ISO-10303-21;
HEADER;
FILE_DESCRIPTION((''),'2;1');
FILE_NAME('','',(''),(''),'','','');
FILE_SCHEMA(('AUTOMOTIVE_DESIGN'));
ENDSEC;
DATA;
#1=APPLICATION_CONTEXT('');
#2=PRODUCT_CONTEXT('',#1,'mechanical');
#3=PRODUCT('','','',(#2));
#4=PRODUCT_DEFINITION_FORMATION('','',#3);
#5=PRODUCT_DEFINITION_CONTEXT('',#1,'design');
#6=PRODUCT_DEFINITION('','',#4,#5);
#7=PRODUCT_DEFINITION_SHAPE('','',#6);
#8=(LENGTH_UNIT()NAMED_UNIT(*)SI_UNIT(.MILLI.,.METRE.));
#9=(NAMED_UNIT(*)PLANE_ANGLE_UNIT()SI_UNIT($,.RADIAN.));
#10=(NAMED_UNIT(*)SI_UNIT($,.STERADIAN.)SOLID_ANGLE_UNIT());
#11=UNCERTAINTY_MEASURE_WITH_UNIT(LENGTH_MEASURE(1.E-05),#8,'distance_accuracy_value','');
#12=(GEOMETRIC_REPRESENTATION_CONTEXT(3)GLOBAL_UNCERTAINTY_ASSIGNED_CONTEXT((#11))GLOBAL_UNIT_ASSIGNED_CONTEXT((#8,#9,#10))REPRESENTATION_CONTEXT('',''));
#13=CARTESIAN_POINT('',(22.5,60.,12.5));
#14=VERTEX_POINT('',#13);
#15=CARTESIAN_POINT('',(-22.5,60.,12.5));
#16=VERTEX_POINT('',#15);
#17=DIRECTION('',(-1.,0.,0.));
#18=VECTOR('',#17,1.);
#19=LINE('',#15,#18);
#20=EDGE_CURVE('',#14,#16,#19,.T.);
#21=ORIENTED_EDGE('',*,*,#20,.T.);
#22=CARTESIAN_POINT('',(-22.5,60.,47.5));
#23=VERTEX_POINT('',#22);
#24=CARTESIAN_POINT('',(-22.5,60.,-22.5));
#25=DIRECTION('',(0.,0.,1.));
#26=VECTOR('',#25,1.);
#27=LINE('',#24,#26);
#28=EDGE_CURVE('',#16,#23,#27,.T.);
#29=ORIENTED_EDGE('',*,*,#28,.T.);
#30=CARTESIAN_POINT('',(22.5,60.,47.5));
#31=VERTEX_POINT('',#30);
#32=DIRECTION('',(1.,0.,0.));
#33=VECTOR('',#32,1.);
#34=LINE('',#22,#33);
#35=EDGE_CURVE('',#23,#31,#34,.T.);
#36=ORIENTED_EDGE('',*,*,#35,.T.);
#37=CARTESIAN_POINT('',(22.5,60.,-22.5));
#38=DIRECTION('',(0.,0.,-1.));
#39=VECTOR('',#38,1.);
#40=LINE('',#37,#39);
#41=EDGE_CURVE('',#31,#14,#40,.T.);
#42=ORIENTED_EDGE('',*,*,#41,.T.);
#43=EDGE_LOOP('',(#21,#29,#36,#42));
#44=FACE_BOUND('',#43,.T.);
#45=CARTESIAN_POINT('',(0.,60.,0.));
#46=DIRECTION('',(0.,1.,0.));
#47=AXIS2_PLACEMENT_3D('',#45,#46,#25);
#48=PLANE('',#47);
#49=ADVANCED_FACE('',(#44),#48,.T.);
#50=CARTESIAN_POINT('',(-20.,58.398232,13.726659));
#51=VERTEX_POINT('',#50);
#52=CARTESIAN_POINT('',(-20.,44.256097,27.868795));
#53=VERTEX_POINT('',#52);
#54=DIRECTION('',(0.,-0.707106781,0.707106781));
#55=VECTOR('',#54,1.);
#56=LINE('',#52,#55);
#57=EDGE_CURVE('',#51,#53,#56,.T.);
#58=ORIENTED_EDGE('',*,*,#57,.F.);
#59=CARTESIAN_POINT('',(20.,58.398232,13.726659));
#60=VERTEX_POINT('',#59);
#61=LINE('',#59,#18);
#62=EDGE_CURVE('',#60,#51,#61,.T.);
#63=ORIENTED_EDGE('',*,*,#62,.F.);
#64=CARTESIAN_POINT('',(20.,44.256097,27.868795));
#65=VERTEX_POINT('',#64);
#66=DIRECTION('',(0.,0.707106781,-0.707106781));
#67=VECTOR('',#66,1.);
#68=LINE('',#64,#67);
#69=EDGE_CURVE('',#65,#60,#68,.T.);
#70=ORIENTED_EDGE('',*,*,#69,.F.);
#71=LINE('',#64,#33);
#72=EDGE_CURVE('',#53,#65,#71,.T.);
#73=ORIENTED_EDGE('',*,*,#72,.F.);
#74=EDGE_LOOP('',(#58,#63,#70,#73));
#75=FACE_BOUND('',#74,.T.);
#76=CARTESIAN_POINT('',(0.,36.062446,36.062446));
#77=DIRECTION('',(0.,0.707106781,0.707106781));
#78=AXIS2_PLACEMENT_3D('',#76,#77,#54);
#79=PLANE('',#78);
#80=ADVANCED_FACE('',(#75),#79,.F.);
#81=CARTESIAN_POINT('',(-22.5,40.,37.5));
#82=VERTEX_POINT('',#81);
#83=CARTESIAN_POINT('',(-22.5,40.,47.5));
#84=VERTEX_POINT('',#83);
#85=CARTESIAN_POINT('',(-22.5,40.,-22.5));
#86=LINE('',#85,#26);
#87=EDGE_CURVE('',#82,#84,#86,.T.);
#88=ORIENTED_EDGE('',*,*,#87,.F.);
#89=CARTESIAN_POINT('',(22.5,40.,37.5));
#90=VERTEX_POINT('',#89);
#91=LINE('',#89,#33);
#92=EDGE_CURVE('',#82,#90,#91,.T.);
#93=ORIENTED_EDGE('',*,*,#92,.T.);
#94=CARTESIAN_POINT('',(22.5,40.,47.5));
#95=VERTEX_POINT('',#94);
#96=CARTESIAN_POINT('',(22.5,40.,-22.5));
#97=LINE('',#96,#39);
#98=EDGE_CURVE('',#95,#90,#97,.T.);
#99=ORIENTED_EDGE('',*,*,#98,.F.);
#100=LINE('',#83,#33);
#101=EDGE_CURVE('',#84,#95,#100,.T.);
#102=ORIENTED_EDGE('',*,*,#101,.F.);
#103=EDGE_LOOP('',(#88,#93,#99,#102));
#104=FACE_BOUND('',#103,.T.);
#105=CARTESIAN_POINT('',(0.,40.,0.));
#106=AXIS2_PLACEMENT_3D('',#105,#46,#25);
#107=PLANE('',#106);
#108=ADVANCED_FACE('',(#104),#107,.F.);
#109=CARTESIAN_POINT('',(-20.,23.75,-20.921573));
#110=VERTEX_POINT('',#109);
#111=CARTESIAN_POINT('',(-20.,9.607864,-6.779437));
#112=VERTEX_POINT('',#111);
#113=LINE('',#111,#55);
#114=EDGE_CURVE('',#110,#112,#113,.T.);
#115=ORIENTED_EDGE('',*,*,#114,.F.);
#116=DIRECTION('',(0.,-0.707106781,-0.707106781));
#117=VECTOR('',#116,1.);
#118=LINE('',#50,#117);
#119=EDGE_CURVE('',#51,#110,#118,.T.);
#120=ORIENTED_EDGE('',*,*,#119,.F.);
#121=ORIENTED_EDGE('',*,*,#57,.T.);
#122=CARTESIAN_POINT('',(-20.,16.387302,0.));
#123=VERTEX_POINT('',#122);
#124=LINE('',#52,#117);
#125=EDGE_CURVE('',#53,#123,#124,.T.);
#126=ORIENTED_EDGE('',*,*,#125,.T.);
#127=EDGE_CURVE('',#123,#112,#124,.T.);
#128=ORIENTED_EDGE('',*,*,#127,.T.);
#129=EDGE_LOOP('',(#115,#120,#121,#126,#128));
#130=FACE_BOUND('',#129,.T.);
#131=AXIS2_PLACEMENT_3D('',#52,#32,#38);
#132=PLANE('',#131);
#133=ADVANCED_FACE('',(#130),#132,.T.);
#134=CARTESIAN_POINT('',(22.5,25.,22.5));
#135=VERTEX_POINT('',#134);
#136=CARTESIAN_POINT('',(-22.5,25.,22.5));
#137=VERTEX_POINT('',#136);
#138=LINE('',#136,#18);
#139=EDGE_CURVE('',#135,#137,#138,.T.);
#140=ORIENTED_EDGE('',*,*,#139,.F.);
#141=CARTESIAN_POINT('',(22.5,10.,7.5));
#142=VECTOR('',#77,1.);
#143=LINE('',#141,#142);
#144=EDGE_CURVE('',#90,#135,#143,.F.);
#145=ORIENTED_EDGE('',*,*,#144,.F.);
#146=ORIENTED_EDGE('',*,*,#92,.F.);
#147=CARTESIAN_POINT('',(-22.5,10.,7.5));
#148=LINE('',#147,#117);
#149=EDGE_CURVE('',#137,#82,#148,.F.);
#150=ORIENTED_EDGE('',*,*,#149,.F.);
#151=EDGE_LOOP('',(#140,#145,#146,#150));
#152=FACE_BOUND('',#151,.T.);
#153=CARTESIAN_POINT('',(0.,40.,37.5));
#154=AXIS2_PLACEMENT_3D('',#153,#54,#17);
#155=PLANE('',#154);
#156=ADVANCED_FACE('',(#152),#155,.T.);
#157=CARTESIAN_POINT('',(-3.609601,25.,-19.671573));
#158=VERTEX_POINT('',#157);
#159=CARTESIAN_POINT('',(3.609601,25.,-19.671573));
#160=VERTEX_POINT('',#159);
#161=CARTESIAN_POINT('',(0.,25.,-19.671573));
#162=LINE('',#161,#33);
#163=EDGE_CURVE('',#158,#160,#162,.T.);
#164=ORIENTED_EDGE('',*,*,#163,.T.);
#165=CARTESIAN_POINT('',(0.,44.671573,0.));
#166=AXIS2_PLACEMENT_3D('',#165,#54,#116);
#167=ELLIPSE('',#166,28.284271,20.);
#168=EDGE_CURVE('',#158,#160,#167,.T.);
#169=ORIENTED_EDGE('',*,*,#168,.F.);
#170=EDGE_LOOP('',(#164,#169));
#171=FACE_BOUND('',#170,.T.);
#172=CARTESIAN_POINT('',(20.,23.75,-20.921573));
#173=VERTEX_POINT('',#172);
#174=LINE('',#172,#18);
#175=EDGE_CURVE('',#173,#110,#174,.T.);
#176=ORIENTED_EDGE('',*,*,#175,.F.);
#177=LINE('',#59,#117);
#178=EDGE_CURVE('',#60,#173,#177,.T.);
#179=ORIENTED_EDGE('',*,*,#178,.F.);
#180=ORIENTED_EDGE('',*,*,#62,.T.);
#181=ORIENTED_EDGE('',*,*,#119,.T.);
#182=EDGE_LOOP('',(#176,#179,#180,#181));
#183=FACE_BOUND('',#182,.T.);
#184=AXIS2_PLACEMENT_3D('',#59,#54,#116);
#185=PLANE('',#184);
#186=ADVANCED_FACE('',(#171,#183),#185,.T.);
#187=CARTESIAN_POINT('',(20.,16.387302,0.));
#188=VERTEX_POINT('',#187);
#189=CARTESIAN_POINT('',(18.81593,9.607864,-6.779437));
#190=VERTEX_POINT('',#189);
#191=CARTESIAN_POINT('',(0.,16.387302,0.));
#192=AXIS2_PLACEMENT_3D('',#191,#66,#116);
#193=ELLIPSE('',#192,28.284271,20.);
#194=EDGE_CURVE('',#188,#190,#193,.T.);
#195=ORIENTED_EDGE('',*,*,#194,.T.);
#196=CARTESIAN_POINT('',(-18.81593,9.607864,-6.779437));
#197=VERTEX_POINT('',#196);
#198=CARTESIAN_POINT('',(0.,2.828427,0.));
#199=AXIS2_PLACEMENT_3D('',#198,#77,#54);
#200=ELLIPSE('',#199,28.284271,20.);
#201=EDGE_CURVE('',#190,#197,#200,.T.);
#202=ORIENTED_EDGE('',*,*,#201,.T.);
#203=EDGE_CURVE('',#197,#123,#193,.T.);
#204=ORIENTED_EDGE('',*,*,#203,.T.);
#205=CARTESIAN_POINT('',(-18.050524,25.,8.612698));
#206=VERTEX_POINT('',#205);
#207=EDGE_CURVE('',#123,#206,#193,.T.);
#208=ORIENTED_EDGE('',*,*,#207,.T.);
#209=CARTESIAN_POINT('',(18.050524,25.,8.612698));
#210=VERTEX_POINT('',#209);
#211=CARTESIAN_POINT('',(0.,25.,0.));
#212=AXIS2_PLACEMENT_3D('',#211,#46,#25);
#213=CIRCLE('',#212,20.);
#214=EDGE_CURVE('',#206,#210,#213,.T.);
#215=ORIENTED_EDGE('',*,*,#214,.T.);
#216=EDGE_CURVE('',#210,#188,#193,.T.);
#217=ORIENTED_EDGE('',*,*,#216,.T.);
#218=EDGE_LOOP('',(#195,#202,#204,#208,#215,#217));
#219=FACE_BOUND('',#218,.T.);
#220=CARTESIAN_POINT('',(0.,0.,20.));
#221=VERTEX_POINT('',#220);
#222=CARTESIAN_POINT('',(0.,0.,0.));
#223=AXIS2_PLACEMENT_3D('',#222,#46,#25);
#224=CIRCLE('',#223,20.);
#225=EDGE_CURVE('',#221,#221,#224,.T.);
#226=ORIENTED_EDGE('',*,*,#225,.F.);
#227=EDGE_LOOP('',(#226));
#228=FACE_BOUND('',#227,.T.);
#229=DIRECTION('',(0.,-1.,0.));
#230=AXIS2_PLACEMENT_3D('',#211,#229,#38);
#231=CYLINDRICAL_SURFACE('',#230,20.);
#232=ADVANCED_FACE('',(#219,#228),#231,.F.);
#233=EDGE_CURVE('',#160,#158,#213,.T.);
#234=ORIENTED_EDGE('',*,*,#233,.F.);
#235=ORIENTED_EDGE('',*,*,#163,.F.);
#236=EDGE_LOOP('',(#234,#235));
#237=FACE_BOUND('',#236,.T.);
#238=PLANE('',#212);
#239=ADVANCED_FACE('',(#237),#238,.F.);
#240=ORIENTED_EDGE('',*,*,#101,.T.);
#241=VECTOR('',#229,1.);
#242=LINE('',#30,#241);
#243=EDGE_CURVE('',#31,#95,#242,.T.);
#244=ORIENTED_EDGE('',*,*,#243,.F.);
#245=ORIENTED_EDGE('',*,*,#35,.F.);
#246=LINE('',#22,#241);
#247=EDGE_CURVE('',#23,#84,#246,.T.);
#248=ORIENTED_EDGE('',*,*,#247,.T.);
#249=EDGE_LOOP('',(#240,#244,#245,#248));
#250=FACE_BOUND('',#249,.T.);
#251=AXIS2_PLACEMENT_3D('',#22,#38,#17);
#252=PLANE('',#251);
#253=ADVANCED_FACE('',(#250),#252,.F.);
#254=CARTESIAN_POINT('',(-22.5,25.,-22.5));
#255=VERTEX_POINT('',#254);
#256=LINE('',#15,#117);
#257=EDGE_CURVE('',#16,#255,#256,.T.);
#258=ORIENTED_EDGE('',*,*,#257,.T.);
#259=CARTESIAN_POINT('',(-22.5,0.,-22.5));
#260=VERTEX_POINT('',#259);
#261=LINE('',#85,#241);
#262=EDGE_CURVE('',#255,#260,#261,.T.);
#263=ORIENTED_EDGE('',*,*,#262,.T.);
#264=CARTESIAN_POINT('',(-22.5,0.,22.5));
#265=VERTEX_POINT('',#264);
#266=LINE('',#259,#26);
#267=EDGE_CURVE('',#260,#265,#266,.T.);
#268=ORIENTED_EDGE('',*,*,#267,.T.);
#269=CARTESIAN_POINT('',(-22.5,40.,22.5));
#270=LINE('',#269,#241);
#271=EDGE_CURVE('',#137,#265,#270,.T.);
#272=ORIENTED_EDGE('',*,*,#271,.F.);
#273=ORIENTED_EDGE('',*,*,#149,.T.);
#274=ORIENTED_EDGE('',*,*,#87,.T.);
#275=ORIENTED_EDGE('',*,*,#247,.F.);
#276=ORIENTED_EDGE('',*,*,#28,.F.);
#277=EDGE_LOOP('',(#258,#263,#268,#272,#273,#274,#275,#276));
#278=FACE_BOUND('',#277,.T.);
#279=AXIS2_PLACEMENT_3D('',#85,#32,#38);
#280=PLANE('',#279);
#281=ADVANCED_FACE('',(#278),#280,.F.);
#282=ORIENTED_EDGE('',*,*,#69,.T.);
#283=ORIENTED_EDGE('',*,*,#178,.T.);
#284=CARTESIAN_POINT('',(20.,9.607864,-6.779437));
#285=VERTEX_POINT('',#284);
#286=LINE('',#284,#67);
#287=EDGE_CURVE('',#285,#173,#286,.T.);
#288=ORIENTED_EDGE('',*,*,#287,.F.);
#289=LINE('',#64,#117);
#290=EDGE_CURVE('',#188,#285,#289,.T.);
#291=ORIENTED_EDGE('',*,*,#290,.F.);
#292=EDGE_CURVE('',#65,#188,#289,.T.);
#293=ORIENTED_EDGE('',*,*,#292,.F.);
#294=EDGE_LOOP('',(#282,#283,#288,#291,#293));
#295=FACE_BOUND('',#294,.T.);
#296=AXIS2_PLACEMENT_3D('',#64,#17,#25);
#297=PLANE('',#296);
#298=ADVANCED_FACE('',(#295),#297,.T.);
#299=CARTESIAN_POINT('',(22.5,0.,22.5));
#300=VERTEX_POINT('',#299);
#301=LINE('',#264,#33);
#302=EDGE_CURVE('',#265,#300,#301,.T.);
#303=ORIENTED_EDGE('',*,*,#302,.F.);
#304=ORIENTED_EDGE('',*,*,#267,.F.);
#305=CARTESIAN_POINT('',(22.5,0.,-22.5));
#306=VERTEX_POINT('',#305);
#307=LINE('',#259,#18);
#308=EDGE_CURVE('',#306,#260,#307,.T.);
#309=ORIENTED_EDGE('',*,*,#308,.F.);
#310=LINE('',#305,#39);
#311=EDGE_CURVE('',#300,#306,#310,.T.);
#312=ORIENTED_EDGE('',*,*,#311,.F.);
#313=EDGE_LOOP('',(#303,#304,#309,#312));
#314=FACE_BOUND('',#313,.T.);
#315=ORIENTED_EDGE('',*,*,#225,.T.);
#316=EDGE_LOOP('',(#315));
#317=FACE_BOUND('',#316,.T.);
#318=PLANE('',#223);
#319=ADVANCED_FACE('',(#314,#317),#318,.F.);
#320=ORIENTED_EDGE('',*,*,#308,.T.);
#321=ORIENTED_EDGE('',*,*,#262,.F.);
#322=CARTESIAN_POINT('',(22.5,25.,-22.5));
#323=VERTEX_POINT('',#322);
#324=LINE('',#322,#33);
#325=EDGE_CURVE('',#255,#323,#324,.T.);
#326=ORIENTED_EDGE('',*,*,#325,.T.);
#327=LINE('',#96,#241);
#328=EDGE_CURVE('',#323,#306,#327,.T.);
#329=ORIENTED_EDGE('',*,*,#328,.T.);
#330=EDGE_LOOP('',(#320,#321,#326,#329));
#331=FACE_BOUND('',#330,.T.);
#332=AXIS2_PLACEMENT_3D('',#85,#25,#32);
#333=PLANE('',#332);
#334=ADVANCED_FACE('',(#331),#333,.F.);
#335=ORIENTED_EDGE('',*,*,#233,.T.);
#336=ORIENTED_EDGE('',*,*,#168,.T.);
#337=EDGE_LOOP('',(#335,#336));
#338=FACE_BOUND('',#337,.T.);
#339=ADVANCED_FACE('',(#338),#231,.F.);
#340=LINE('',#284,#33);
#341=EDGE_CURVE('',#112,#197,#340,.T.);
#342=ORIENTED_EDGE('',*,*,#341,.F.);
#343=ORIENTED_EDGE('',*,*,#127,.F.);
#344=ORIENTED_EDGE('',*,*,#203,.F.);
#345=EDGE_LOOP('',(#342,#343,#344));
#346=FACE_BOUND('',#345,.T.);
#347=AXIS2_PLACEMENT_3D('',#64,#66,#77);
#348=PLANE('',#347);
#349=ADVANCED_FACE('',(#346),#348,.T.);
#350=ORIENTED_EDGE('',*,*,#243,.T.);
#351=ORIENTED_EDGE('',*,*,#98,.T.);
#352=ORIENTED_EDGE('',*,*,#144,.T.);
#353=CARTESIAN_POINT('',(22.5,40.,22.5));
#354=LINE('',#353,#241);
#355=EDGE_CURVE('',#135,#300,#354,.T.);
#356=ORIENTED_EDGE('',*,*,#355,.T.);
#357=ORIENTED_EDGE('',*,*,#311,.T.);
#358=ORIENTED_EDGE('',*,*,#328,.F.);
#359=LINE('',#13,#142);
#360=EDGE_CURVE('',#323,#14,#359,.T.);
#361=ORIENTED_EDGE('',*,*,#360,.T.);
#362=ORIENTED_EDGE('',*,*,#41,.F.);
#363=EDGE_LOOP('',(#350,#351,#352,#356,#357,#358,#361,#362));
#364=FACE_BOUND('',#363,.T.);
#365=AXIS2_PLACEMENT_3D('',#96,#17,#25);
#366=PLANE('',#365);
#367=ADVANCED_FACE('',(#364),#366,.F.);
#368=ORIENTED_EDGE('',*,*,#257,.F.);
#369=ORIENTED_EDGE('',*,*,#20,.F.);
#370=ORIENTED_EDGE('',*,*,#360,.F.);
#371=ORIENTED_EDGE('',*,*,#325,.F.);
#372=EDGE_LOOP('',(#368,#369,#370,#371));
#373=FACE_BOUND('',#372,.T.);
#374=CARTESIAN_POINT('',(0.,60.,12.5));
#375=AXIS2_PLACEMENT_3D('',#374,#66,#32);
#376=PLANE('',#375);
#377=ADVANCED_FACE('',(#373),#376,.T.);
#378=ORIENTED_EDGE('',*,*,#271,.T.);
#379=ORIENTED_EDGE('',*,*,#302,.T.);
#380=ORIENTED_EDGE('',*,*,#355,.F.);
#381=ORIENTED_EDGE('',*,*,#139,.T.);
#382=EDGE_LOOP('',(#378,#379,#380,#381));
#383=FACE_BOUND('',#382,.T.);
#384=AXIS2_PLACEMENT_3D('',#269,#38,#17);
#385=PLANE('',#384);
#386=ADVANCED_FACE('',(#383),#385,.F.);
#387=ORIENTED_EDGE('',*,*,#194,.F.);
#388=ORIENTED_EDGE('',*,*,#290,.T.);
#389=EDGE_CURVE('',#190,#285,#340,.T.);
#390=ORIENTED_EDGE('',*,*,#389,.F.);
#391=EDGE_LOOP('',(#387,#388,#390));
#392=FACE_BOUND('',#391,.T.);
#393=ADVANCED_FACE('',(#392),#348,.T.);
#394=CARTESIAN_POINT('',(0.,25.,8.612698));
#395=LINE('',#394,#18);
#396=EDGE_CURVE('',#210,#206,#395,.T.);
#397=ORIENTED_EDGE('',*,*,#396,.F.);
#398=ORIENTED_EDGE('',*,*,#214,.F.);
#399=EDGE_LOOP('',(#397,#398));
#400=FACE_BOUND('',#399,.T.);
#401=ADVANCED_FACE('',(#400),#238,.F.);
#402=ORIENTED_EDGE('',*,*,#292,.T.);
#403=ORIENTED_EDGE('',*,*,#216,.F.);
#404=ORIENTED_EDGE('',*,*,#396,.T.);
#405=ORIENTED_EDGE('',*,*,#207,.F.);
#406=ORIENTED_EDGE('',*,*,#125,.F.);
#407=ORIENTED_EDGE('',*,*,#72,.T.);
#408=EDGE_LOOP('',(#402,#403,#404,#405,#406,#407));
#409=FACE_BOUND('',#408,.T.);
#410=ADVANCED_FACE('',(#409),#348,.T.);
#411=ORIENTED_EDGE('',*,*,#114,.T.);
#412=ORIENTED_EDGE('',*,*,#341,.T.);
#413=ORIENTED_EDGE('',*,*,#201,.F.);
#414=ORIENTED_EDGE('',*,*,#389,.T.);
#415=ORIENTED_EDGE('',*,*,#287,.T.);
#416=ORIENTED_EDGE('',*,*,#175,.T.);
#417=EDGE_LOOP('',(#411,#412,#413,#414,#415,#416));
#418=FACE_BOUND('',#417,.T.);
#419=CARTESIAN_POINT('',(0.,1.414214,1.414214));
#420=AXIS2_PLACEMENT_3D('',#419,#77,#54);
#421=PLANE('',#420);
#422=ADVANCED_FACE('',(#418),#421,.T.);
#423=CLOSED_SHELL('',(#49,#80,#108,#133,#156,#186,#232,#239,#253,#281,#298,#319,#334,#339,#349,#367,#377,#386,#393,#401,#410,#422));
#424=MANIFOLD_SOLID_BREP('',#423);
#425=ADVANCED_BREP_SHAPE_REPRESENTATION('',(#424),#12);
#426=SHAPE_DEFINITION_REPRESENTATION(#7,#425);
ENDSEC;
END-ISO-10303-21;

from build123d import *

# Parameters (mm, degrees)
SKETCH1_W           = 45
SKETCH1_H           = 45
BOSS_EXTRUDE1_DEPTH = 40
SKETCH2_W           = 45
SKETCH2_H           = 70
BOSS_EXTRUDE2_DEPTH = 20
CHAMFER1_SIZE       = 15
CHAMFER2_SIZE       = 35
SKETCH3_R           = 20
CUT_EXTRUDE1_DEPTH  = 25
SKETCH4_W           = 40
SKETCH4_H           = 20
CUT_EXTRUDE2_DEPTH  = 49


with BuildPart() as part:
    # Sketch1 → Boss-Extrude1 (new body)
    with BuildSketch(Plane(origin=(0, 0, 0), x_dir=(1, 0, 0), z_dir=(0, 1, 0))):
        Rectangle(SKETCH1_W, SKETCH1_H)
    extrude(amount=BOSS_EXTRUDE1_DEPTH)

    # Sketch2 → Boss-Extrude2 (add)
    with BuildSketch(Plane(origin=(0, 40, 0), x_dir=(1, 0, 0), z_dir=(0, 1, 0))):
        with Locations((0, -12.5)):
            Rectangle(SKETCH2_W, SKETCH2_H)
    extrude(amount=BOSS_EXTRUDE2_DEPTH)

    # Chamfer1
    chamfer1_edges = [part.edges().sort_by_distance(p)[0] for p in [
        (0, 40, 22.5),
    ]]
    chamfer(chamfer1_edges, length=CHAMFER1_SIZE)

    # Chamfer2
    chamfer2_edges = [part.edges().sort_by_distance(p)[0] for p in [
        (0, 60, -22.5),
    ]]
    chamfer(chamfer2_edges, length=CHAMFER2_SIZE)

    # Sketch3 → Cut-Extrude1 (cut)
    with BuildSketch(Plane(origin=(0, 0, 0), x_dir=(1, 0, 0), z_dir=(0, 1, 0))):
        with Locations(Location((0, 0, 0), (0, 0, 270))):
            Circle(SKETCH3_R)
    extrude(amount=CUT_EXTRUDE1_DEPTH, mode=Mode.SUBTRACT)

    # Sketch4 → Cut-Extrude2 (cut)
    with BuildSketch(Plane(origin=(0, 1.414213562, 1.414213562), x_dir=(-1, 0, 0), z_dir=(0, 0.7071067811865476, 0.7071067811865476))):
        with Locations((0, -21.587572106)):
            Rectangle(SKETCH4_W, SKETCH4_H)
    extrude(amount=CUT_EXTRUDE2_DEPTH, mode=Mode.SUBTRACT)


solid = part.part
